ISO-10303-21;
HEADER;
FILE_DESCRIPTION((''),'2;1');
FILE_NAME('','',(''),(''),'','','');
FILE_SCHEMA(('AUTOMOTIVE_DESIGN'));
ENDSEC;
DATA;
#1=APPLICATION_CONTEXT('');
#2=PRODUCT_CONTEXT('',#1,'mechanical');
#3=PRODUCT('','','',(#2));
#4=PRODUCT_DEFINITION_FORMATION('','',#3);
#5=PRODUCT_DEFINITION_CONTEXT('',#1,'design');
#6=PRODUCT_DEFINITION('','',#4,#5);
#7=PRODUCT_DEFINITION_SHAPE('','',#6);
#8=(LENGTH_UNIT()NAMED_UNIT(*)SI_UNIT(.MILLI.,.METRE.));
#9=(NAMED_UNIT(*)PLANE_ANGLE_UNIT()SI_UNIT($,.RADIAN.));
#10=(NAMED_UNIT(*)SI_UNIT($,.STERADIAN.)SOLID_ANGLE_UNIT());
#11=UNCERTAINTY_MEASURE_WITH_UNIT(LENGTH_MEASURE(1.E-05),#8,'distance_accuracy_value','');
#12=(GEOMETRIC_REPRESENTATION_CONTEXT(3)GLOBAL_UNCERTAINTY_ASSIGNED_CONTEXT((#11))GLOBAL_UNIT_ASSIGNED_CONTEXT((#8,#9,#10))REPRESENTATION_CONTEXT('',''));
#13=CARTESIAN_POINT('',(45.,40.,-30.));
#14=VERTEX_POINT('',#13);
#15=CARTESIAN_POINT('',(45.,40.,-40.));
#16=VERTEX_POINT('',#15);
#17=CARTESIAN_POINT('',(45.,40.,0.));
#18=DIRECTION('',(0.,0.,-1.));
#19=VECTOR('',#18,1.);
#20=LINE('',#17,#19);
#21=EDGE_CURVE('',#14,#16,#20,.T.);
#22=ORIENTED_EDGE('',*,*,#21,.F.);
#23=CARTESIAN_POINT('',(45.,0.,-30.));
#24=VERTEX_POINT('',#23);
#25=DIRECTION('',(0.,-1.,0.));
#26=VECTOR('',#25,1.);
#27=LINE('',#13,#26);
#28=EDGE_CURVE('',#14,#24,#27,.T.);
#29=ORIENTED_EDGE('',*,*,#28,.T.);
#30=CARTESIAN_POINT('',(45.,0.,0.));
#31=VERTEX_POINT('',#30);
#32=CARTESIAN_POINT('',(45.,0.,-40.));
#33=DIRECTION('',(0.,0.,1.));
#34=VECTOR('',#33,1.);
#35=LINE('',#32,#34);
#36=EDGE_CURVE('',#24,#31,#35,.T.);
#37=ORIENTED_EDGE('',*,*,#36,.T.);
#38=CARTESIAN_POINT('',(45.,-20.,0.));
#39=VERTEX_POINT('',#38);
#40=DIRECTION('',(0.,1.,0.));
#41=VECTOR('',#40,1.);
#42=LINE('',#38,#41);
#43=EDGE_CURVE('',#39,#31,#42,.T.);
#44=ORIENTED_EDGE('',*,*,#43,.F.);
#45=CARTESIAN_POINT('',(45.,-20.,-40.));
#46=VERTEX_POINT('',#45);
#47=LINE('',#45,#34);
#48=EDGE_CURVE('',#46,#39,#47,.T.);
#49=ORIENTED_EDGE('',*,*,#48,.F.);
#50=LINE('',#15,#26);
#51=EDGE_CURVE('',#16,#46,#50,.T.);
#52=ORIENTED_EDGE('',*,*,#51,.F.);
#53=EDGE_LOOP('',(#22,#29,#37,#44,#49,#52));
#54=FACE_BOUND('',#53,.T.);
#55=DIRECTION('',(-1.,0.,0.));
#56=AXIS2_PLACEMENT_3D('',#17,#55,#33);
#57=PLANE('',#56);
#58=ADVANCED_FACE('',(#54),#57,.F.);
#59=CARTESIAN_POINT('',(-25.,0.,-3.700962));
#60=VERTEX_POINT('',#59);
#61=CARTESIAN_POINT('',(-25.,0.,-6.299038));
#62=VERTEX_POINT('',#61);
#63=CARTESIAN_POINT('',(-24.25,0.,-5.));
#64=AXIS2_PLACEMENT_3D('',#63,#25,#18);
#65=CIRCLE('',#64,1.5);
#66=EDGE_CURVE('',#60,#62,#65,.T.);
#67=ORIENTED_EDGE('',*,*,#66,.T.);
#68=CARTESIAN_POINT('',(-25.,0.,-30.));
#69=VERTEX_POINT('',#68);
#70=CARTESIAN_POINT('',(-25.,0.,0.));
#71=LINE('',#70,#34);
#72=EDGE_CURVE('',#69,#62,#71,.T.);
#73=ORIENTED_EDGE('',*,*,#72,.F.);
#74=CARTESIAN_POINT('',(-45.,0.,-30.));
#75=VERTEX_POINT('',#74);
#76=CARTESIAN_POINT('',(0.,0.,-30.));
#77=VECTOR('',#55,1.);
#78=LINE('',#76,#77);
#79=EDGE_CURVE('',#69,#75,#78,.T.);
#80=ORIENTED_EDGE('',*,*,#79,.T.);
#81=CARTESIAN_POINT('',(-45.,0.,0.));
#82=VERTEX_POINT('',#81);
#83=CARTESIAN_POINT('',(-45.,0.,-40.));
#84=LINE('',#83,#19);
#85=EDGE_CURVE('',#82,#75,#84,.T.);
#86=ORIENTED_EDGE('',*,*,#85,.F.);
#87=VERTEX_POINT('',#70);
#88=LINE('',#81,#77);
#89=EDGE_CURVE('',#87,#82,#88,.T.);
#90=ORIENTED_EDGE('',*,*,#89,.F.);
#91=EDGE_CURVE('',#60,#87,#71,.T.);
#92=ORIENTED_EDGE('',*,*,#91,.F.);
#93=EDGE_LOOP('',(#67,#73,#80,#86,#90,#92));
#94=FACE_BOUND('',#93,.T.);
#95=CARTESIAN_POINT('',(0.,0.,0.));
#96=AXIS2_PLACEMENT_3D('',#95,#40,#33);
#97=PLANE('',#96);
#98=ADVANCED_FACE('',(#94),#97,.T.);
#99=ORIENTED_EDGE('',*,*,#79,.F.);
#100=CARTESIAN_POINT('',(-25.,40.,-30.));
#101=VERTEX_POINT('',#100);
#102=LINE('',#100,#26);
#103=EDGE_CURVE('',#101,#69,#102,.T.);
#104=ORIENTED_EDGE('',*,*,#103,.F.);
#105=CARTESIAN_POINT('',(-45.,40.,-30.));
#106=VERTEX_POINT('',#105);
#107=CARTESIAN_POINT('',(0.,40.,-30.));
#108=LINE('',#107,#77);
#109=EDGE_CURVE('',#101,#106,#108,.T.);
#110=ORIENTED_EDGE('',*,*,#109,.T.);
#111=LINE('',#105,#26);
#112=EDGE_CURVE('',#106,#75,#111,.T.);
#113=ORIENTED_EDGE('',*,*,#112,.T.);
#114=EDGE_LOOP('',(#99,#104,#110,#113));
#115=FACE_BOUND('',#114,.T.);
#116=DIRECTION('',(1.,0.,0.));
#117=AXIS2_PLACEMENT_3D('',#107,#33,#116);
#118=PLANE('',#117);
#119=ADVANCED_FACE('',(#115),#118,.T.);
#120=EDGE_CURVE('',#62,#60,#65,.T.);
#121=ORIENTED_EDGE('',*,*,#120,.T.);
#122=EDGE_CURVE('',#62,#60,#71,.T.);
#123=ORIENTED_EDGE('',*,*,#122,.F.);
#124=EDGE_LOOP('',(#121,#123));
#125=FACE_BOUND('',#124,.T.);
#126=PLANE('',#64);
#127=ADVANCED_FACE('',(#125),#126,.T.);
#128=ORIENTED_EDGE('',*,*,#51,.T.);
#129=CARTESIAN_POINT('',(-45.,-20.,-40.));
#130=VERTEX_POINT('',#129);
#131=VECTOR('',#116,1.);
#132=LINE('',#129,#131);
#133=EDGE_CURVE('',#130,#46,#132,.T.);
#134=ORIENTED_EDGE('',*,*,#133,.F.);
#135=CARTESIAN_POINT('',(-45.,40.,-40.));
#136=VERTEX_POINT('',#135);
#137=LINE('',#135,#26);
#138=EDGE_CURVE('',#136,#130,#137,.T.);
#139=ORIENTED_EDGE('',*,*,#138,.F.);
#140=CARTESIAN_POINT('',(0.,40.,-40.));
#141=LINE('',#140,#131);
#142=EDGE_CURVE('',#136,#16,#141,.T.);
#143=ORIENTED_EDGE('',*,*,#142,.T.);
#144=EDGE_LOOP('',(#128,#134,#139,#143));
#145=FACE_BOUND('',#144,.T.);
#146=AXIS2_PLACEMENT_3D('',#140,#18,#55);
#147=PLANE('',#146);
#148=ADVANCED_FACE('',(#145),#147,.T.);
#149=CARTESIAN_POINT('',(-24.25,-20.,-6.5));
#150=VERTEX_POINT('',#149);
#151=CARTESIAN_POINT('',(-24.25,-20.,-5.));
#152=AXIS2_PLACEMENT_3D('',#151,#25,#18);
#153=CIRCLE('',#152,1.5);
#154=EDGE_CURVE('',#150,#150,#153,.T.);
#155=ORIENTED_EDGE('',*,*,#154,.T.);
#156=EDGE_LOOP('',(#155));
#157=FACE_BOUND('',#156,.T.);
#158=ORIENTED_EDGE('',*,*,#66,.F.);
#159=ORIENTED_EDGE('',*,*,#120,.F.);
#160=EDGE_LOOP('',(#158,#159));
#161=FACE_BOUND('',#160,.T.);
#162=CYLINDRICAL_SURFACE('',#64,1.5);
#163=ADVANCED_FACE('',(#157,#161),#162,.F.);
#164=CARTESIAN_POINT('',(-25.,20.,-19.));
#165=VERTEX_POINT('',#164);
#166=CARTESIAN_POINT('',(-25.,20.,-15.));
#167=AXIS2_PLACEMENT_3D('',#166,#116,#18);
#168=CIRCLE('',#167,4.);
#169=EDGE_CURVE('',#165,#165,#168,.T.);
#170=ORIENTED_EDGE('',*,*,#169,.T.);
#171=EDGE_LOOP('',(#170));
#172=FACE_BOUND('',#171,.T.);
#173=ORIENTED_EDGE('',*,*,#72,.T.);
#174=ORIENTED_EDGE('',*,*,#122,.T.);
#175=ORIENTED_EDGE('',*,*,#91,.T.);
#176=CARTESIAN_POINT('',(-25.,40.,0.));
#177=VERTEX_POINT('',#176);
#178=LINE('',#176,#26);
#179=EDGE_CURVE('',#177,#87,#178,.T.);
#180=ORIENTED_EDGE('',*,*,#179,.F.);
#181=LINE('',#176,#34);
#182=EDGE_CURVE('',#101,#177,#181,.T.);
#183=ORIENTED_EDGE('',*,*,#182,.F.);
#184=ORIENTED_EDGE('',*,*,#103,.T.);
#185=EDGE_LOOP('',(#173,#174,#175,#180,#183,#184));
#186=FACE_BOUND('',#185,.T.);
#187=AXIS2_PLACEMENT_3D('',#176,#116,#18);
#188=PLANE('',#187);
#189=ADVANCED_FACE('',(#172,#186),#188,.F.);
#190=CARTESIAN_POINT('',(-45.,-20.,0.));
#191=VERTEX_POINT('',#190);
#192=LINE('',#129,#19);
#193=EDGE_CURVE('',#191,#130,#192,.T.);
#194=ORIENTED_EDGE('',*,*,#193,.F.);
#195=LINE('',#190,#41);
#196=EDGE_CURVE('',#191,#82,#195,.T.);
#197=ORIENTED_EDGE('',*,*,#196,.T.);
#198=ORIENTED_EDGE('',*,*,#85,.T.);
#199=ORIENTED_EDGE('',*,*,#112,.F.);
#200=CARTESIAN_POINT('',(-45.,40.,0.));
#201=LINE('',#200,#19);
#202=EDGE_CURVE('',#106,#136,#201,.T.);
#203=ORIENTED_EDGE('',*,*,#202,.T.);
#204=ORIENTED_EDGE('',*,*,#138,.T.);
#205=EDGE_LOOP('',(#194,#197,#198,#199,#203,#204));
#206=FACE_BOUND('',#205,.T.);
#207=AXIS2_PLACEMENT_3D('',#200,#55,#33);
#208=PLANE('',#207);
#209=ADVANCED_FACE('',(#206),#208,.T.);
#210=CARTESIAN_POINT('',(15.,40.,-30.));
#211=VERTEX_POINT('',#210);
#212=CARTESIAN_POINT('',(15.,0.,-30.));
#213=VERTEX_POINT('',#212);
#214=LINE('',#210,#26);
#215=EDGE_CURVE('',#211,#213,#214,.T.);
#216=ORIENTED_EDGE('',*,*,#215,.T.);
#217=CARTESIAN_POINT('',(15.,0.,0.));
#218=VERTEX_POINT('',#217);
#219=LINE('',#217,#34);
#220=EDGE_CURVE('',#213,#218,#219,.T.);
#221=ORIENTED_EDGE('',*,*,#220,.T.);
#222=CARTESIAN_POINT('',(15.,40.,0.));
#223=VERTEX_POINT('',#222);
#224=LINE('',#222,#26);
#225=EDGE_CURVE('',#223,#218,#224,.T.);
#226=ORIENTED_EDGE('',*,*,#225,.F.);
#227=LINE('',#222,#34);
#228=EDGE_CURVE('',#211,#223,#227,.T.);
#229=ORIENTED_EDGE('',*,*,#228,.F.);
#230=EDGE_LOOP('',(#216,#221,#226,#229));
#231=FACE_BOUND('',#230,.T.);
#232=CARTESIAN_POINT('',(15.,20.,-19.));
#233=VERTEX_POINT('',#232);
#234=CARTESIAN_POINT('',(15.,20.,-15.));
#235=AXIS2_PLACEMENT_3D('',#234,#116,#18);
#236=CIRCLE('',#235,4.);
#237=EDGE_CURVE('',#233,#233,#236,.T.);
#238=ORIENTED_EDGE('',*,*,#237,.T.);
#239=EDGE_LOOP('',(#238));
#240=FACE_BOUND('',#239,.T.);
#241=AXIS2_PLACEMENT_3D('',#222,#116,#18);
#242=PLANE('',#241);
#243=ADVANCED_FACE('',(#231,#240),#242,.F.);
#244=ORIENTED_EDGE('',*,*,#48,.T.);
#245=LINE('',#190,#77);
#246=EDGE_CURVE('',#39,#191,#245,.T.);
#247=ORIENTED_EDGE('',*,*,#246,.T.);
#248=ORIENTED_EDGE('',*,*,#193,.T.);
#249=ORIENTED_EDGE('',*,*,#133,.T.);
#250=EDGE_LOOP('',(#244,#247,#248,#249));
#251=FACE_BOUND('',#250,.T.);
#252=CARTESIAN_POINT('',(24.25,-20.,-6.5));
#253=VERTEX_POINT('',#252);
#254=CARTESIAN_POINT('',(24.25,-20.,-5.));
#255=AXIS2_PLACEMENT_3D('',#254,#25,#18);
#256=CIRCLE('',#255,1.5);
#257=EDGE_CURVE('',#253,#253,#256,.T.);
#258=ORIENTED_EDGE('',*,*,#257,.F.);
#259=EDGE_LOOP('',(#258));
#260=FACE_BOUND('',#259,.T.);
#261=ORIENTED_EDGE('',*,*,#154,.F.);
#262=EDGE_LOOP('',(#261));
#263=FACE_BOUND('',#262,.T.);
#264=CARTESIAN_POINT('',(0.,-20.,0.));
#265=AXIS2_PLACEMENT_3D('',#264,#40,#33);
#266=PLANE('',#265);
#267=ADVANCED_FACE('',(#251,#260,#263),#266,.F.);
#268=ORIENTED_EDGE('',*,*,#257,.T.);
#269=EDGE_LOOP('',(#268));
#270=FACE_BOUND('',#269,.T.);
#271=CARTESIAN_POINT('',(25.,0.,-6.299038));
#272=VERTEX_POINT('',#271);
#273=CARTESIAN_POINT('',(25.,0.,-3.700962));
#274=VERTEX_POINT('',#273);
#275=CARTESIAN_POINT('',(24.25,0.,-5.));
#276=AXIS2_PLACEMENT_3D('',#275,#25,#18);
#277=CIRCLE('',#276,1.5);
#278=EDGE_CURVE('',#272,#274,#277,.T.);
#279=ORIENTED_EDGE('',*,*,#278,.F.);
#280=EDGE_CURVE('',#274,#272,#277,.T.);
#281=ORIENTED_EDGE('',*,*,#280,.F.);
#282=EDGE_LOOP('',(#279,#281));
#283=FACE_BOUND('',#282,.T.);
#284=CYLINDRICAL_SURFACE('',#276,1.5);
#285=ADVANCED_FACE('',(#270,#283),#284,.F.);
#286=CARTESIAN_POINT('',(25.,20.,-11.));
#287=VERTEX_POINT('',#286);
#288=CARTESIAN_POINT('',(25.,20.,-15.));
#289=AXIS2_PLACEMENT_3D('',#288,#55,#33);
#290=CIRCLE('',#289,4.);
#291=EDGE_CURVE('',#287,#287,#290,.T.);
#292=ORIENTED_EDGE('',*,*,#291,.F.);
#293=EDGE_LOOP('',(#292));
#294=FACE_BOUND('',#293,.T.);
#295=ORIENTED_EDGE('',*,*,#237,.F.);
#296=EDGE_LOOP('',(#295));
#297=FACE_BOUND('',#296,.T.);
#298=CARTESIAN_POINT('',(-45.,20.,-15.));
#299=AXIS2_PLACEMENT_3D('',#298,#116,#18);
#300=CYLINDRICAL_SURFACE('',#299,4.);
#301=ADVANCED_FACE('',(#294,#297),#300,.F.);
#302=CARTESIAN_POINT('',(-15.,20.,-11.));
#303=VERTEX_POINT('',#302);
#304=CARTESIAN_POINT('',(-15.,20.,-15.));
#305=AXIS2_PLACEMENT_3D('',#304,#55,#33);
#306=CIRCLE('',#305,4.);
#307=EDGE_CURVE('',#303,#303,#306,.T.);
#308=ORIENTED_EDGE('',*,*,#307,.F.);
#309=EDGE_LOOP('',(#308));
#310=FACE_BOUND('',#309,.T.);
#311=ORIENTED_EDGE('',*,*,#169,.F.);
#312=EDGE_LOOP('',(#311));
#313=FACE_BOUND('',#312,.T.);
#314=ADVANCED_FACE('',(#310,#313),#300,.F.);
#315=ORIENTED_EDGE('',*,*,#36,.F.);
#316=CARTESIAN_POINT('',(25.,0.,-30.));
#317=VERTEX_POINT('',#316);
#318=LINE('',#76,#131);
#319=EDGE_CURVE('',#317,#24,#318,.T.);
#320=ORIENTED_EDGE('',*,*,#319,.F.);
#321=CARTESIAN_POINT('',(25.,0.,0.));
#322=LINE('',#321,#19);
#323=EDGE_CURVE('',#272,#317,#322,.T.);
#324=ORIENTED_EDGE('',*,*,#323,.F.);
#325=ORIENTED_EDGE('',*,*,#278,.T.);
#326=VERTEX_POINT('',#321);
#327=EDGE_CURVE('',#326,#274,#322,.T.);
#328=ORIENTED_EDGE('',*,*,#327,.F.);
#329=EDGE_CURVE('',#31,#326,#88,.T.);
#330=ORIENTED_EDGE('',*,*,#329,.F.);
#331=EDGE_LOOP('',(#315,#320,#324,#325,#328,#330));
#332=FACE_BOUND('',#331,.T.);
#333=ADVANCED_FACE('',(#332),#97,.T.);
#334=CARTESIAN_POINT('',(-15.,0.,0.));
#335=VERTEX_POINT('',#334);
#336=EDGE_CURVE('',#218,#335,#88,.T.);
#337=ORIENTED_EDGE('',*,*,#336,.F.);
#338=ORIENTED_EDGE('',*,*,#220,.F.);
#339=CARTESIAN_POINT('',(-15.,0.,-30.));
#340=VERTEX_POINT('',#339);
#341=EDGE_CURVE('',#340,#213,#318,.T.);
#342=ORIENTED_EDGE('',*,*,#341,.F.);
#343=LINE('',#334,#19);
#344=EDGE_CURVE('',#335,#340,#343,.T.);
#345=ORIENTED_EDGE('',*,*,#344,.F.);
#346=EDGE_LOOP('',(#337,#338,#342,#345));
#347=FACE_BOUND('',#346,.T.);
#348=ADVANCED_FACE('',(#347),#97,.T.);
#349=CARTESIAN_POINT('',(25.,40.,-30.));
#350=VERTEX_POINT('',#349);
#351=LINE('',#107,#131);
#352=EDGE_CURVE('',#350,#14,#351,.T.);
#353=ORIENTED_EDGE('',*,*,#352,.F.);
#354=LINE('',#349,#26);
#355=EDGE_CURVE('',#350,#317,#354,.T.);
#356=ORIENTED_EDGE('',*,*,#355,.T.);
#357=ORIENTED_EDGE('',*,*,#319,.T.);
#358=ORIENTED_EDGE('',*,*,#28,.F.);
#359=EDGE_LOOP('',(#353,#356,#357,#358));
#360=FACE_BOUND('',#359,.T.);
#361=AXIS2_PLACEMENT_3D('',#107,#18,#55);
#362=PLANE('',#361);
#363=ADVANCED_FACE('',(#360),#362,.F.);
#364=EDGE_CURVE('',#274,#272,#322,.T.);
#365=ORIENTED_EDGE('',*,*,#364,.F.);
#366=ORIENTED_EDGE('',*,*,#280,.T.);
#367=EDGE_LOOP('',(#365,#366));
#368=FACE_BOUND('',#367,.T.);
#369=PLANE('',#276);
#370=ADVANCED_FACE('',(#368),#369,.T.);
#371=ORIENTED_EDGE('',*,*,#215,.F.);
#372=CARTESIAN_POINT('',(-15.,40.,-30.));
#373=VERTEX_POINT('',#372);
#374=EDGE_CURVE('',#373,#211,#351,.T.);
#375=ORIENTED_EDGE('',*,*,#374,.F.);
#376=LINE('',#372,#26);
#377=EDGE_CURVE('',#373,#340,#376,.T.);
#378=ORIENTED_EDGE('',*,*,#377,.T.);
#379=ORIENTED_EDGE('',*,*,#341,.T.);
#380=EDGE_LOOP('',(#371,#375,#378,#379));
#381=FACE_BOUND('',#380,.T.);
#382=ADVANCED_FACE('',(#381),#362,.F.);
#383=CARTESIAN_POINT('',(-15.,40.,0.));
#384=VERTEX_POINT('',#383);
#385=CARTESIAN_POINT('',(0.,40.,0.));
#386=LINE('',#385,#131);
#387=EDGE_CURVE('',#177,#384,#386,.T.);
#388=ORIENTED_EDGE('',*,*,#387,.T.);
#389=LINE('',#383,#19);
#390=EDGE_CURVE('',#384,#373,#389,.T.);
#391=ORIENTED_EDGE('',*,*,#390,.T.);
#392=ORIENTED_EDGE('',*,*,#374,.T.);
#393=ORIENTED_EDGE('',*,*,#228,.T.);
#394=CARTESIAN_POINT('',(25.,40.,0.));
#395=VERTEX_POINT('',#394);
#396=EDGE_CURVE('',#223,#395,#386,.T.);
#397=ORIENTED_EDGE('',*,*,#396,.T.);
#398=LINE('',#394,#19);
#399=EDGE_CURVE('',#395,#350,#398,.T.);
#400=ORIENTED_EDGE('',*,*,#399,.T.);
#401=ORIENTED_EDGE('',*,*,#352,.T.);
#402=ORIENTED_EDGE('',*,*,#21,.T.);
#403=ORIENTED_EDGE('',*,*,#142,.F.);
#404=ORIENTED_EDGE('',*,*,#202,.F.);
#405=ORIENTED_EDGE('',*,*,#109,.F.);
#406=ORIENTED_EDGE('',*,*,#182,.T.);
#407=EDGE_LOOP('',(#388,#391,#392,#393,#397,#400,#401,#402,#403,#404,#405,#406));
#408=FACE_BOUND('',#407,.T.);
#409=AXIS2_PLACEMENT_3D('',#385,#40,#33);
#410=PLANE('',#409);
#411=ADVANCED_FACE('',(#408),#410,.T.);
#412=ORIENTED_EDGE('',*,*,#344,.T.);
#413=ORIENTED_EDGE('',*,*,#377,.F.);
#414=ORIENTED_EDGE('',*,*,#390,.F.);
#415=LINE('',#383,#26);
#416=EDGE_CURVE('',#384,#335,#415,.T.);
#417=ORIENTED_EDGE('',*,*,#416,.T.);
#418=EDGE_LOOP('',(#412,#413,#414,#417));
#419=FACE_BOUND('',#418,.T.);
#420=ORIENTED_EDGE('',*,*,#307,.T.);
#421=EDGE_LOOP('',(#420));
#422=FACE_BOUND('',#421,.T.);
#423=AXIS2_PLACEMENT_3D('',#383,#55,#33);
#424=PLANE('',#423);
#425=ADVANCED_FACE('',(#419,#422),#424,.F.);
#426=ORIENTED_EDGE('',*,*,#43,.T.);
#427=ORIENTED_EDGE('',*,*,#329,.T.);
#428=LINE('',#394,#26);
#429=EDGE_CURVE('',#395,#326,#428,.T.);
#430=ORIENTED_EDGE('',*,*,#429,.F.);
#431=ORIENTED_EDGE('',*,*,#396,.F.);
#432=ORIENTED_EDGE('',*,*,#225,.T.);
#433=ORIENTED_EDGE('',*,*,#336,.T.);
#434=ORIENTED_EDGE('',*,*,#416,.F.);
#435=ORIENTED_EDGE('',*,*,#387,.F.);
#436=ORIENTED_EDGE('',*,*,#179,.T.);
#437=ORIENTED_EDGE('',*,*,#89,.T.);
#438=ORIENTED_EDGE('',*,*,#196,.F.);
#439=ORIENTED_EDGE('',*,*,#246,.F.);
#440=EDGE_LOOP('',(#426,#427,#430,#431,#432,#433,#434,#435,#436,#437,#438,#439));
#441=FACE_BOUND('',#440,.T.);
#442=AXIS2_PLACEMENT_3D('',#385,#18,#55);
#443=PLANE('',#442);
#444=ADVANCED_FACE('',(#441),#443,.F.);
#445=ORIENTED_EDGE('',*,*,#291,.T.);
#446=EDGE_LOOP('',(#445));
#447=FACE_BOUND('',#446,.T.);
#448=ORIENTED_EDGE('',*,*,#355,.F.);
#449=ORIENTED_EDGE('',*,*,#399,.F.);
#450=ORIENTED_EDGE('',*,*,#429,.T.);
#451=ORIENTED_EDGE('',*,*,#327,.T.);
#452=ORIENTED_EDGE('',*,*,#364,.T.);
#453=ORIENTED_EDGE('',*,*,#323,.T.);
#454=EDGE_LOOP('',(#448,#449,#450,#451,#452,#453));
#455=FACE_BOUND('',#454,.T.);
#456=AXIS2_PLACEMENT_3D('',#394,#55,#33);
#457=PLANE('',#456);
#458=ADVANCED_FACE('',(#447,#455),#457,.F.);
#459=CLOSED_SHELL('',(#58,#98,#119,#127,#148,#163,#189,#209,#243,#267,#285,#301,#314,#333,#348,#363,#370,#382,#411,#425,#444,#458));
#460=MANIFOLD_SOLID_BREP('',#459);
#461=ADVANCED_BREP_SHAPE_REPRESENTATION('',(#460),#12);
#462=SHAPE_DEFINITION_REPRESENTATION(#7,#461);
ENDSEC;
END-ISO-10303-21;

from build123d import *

# Parameters (mm, degrees)
SKETCH3_W               = 20
SKETCH3_H               = 10
BOSS_EXTRUDE1_DEPTH     = 40
CUT_EXTRUDE1_DEPTH      = 83.462112512
CUT_EXTRUDE1_DEPTH_BACK = 83.462112512
SKETCH4_R               = 4
SKETCH7_W               = 90
SKETCH7_H               = 40
BOSS_EXTRUDE3_DEPTH     = 20
SKETCH8_R               = 1.5
CUT_EXTRUDE3_DEPTH      = 20


with BuildPart() as part:
    # Sketch3 → Boss-Extrude1 (new body)
    with BuildSketch(Plane(origin=(0, 0, 0), x_dir=(1, 0, 0), z_dir=(0, 1, 0))):
        with Locations((-35, 35)):
            Rectangle(SKETCH3_W, SKETCH3_H)
        Polygon((-25, 30), (-25, 0), (-15, 0), (-15, 30), (0, 30), (0, 40), (-25, 40), align=None)
        Polygon((0, 40), (0, 30), (15, 30), (15, 0), (25, 0), (25, 30), (25, 40), align=None)
        with Locations((35, 35)):
            Rectangle(SKETCH3_W, SKETCH3_H)
    extrude(amount=BOSS_EXTRUDE1_DEPTH)

    # Sketch4 → Cut-Extrude1 (cut, two sides: drawn at the far end of the back side and taken through both)
    with BuildSketch(Plane(origin=(-15, 0, 0), x_dir=(0, 0, -1), z_dir=(1, 0, 0)).offset(-CUT_EXTRUDE1_DEPTH_BACK)):
        with Locations((15, 20)):
            Circle(SKETCH4_R)
    extrude(amount=CUT_EXTRUDE1_DEPTH + CUT_EXTRUDE1_DEPTH_BACK, mode=Mode.SUBTRACT)

    # Sketch7 → Boss-Extrude3 (add)
    with BuildSketch(Plane.XZ):
        with Locations((0, -20)):
            Rectangle(SKETCH7_W, SKETCH7_H)
    extrude(amount=BOSS_EXTRUDE3_DEPTH)

    # Sketch8 → Cut-Extrude3 (cut)
    with BuildSketch(Plane.XZ.offset(20)):
        with Locations(Location((-24.25, -5, 0), (0, 0, 270))):
            Circle(SKETCH8_R)
        with Locations(Location((24.25, -5, 0), (0, 0, 270))):
            Circle(SKETCH8_R)
    extrude(amount=-CUT_EXTRUDE3_DEPTH, mode=Mode.SUBTRACT)


solid = part.part
